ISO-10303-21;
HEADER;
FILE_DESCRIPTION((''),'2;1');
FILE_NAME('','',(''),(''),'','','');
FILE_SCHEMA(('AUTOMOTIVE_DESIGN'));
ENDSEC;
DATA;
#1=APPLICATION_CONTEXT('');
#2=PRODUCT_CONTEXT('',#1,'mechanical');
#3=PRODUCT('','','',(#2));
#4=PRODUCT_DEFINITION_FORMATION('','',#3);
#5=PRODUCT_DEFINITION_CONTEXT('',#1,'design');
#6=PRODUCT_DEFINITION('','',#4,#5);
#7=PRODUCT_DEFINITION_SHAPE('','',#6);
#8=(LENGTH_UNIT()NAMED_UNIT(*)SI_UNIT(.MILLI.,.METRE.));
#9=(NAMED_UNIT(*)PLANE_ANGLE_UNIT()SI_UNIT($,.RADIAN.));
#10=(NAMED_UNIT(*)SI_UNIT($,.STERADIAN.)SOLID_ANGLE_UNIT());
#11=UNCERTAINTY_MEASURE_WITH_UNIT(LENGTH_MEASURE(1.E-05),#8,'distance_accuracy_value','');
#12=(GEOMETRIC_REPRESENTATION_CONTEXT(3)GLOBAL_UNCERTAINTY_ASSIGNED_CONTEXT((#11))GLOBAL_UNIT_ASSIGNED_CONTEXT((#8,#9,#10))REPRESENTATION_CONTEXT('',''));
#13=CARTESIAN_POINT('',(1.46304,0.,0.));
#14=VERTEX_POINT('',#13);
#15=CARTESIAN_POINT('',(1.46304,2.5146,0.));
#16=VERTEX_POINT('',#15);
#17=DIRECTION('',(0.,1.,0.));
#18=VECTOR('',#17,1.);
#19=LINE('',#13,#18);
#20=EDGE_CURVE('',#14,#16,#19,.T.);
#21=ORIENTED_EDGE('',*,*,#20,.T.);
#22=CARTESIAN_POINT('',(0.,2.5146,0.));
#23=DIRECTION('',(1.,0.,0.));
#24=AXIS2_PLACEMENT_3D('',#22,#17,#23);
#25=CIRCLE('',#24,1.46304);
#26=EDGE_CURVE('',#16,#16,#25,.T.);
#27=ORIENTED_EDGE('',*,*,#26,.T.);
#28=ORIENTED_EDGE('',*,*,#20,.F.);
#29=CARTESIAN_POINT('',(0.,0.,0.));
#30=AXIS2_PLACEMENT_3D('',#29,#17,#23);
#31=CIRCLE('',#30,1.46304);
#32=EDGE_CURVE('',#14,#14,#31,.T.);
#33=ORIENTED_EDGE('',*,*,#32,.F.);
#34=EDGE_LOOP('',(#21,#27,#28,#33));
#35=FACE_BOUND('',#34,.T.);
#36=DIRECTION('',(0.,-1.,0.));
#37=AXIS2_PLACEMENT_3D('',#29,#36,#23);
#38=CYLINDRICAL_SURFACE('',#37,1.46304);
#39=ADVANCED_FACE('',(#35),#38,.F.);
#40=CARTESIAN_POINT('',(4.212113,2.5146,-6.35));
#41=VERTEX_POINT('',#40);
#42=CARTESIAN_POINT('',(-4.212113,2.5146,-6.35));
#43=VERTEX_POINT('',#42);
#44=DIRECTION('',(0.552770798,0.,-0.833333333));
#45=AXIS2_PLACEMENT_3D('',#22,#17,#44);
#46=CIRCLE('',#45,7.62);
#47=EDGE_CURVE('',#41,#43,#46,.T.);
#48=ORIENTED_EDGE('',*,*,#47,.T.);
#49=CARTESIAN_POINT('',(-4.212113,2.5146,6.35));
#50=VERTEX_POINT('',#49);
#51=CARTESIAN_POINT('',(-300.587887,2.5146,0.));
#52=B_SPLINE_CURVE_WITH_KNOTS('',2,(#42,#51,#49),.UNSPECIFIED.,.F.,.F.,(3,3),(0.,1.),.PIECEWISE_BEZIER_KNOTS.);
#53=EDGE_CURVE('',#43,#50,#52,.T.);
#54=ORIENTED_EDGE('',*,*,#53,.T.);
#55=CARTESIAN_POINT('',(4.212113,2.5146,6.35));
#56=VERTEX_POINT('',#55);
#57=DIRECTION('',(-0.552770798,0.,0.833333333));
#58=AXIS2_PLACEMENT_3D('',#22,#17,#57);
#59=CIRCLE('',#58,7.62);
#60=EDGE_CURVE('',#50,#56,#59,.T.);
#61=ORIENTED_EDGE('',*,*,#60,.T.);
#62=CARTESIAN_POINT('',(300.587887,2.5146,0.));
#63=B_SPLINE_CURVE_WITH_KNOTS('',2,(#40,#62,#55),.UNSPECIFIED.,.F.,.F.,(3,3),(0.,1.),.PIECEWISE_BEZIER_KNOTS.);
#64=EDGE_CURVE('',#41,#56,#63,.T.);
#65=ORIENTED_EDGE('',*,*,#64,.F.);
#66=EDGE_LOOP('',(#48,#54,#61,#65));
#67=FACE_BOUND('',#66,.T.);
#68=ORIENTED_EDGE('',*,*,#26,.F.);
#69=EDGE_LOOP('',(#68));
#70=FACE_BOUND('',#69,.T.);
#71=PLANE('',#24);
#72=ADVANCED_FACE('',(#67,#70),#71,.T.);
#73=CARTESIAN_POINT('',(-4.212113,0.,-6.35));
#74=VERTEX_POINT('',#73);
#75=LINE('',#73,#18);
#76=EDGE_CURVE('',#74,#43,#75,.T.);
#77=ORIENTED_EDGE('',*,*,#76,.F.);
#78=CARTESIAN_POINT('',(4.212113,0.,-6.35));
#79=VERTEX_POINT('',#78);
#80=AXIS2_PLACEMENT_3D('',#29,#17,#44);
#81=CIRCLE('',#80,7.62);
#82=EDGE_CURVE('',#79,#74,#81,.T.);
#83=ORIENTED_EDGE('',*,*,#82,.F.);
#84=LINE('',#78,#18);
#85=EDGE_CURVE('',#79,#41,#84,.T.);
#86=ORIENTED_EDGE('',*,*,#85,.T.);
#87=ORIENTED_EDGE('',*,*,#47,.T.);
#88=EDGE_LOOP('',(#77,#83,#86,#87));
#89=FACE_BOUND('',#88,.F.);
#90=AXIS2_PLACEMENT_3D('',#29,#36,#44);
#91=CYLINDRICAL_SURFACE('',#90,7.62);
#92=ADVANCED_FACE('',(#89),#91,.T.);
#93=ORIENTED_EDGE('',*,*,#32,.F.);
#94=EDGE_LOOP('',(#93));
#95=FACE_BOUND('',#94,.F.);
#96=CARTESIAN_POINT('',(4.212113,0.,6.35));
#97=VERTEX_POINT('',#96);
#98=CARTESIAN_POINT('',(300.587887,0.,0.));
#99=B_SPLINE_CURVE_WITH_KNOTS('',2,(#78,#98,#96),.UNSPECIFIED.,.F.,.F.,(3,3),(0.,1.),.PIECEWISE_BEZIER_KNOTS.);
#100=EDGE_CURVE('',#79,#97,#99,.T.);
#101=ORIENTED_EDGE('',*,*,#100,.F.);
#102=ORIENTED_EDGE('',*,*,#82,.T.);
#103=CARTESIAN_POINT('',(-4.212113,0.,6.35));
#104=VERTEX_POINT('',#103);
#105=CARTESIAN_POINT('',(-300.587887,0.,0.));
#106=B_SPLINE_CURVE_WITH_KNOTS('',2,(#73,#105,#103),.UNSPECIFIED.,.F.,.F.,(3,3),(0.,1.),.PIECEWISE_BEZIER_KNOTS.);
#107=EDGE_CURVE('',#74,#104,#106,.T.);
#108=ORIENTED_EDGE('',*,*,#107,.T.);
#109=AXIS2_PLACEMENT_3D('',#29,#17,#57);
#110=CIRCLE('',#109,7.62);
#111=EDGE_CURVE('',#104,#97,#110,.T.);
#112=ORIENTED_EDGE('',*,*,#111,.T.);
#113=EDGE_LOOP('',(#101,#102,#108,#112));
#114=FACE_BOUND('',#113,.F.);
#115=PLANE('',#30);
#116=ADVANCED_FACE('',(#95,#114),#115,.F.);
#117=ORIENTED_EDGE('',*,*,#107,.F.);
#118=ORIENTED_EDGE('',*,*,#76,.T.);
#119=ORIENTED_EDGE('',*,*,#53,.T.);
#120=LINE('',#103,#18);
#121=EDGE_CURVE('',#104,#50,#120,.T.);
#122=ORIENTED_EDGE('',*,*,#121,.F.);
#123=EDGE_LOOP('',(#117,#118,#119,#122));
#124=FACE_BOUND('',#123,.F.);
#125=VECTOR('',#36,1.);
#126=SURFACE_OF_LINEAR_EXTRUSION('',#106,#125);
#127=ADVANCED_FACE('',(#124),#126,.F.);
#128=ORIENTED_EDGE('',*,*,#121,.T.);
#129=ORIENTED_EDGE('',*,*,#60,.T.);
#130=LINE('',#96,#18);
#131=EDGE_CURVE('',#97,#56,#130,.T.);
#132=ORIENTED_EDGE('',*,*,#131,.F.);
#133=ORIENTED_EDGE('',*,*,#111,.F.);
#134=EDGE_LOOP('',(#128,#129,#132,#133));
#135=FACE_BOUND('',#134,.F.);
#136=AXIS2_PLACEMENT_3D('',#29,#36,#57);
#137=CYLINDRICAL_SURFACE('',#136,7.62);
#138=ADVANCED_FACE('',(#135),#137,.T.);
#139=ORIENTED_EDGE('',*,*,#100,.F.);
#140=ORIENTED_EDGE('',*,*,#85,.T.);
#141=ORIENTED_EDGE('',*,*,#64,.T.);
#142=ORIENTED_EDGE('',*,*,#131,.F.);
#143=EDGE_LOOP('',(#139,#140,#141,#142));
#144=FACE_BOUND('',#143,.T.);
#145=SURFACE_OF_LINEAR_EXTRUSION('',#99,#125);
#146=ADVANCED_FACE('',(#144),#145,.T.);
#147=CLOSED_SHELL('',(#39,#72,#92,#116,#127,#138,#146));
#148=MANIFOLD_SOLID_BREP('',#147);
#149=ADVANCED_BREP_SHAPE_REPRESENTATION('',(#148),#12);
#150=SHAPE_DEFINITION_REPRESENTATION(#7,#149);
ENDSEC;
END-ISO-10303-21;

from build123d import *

# Parameters (mm, degrees)
SKETCH2_R           = 1.46304
BOSS_EXTRUDE1_DEPTH = 2.5146


with BuildPart() as part:
    # Sketch2 → Boss-Extrude1 (new body)
    with BuildSketch(Plane(origin=(0, 0, 0), x_dir=(1, 0, 0), z_dir=(0, 1, 0))):
        with BuildLine():
            ThreePointArc((-4.212113484, -6.35), (0, -7.62), (4.212113484, -6.35))
            add(Edge.make_bspline(
                [(4.212113484, 6.35), (300.587886516, 0), (4.212113484, -6.35)],
                knots=[0, 0, 0, 1, 1, 1], degree=2))
            ThreePointArc((4.212113484, 6.35), (0, 7.62), (-4.212113484, 6.35))
            add(Edge.make_bspline(
                [(-4.212113484, 6.35), (-300.587886516, 0), (-4.212113484, -6.35)],
                knots=[0, 0, 0, 1, 1, 1], degree=2))
        make_face()
        Circle(SKETCH2_R, mode=Mode.SUBTRACT)
    extrude(amount=BOSS_EXTRUDE1_DEPTH)


solid = part.part
